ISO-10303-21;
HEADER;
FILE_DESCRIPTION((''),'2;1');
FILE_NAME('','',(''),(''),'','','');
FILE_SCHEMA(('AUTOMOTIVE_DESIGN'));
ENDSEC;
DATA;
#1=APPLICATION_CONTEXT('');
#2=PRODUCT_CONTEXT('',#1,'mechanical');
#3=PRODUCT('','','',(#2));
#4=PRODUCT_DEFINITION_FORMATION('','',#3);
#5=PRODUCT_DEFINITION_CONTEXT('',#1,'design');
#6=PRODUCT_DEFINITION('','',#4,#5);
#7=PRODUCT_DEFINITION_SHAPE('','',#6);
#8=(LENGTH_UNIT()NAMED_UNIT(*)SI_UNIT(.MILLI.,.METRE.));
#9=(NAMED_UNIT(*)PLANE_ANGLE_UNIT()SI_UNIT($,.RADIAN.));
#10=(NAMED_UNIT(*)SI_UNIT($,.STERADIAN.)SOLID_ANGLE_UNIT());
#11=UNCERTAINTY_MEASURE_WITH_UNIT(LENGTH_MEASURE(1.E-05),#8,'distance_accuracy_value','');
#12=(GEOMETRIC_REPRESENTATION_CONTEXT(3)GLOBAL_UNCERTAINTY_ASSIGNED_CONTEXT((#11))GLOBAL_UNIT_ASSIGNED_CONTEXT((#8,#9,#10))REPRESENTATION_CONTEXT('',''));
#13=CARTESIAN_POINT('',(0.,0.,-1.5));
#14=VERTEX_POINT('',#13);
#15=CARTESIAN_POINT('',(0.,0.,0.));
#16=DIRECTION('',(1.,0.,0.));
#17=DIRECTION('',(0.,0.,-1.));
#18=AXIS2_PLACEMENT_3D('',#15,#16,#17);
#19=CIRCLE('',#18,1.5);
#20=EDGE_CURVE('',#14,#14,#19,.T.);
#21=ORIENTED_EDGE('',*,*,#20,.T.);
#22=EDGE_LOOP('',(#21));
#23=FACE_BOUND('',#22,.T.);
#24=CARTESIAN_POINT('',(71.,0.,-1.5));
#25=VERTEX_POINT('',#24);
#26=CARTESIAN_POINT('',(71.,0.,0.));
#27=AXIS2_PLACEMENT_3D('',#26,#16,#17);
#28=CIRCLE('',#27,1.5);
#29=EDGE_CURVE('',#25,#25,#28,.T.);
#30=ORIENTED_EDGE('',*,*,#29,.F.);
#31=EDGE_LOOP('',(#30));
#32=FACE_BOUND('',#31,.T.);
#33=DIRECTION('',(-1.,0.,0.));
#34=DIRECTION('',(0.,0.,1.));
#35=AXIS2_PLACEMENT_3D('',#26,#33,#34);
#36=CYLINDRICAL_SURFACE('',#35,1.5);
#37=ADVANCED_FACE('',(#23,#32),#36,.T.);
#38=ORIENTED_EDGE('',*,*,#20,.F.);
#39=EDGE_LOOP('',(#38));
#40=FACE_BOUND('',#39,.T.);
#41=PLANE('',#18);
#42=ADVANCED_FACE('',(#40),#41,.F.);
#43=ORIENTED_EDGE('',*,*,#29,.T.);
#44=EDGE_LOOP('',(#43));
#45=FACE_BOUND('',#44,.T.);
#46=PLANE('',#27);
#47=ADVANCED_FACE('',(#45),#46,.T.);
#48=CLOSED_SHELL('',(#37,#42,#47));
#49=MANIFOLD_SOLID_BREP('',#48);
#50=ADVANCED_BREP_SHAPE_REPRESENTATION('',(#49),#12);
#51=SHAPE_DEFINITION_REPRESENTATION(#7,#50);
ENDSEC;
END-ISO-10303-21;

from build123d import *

# Parameters (mm, degrees)
ESBO_O1_R                = 1.5
RESSALTO_EXTRUS_O1_DEPTH = 71


with BuildPart() as part:
    # Esboço1 → Ressalto-extrusão1 (new body)
    with BuildSketch(Plane(origin=(0, 0, 0), x_dir=(0, 0, -1), z_dir=(1, 0, 0))):
        Circle(ESBO_O1_R)
    extrude(amount=RESSALTO_EXTRUS_O1_DEPTH)


solid = part.part
